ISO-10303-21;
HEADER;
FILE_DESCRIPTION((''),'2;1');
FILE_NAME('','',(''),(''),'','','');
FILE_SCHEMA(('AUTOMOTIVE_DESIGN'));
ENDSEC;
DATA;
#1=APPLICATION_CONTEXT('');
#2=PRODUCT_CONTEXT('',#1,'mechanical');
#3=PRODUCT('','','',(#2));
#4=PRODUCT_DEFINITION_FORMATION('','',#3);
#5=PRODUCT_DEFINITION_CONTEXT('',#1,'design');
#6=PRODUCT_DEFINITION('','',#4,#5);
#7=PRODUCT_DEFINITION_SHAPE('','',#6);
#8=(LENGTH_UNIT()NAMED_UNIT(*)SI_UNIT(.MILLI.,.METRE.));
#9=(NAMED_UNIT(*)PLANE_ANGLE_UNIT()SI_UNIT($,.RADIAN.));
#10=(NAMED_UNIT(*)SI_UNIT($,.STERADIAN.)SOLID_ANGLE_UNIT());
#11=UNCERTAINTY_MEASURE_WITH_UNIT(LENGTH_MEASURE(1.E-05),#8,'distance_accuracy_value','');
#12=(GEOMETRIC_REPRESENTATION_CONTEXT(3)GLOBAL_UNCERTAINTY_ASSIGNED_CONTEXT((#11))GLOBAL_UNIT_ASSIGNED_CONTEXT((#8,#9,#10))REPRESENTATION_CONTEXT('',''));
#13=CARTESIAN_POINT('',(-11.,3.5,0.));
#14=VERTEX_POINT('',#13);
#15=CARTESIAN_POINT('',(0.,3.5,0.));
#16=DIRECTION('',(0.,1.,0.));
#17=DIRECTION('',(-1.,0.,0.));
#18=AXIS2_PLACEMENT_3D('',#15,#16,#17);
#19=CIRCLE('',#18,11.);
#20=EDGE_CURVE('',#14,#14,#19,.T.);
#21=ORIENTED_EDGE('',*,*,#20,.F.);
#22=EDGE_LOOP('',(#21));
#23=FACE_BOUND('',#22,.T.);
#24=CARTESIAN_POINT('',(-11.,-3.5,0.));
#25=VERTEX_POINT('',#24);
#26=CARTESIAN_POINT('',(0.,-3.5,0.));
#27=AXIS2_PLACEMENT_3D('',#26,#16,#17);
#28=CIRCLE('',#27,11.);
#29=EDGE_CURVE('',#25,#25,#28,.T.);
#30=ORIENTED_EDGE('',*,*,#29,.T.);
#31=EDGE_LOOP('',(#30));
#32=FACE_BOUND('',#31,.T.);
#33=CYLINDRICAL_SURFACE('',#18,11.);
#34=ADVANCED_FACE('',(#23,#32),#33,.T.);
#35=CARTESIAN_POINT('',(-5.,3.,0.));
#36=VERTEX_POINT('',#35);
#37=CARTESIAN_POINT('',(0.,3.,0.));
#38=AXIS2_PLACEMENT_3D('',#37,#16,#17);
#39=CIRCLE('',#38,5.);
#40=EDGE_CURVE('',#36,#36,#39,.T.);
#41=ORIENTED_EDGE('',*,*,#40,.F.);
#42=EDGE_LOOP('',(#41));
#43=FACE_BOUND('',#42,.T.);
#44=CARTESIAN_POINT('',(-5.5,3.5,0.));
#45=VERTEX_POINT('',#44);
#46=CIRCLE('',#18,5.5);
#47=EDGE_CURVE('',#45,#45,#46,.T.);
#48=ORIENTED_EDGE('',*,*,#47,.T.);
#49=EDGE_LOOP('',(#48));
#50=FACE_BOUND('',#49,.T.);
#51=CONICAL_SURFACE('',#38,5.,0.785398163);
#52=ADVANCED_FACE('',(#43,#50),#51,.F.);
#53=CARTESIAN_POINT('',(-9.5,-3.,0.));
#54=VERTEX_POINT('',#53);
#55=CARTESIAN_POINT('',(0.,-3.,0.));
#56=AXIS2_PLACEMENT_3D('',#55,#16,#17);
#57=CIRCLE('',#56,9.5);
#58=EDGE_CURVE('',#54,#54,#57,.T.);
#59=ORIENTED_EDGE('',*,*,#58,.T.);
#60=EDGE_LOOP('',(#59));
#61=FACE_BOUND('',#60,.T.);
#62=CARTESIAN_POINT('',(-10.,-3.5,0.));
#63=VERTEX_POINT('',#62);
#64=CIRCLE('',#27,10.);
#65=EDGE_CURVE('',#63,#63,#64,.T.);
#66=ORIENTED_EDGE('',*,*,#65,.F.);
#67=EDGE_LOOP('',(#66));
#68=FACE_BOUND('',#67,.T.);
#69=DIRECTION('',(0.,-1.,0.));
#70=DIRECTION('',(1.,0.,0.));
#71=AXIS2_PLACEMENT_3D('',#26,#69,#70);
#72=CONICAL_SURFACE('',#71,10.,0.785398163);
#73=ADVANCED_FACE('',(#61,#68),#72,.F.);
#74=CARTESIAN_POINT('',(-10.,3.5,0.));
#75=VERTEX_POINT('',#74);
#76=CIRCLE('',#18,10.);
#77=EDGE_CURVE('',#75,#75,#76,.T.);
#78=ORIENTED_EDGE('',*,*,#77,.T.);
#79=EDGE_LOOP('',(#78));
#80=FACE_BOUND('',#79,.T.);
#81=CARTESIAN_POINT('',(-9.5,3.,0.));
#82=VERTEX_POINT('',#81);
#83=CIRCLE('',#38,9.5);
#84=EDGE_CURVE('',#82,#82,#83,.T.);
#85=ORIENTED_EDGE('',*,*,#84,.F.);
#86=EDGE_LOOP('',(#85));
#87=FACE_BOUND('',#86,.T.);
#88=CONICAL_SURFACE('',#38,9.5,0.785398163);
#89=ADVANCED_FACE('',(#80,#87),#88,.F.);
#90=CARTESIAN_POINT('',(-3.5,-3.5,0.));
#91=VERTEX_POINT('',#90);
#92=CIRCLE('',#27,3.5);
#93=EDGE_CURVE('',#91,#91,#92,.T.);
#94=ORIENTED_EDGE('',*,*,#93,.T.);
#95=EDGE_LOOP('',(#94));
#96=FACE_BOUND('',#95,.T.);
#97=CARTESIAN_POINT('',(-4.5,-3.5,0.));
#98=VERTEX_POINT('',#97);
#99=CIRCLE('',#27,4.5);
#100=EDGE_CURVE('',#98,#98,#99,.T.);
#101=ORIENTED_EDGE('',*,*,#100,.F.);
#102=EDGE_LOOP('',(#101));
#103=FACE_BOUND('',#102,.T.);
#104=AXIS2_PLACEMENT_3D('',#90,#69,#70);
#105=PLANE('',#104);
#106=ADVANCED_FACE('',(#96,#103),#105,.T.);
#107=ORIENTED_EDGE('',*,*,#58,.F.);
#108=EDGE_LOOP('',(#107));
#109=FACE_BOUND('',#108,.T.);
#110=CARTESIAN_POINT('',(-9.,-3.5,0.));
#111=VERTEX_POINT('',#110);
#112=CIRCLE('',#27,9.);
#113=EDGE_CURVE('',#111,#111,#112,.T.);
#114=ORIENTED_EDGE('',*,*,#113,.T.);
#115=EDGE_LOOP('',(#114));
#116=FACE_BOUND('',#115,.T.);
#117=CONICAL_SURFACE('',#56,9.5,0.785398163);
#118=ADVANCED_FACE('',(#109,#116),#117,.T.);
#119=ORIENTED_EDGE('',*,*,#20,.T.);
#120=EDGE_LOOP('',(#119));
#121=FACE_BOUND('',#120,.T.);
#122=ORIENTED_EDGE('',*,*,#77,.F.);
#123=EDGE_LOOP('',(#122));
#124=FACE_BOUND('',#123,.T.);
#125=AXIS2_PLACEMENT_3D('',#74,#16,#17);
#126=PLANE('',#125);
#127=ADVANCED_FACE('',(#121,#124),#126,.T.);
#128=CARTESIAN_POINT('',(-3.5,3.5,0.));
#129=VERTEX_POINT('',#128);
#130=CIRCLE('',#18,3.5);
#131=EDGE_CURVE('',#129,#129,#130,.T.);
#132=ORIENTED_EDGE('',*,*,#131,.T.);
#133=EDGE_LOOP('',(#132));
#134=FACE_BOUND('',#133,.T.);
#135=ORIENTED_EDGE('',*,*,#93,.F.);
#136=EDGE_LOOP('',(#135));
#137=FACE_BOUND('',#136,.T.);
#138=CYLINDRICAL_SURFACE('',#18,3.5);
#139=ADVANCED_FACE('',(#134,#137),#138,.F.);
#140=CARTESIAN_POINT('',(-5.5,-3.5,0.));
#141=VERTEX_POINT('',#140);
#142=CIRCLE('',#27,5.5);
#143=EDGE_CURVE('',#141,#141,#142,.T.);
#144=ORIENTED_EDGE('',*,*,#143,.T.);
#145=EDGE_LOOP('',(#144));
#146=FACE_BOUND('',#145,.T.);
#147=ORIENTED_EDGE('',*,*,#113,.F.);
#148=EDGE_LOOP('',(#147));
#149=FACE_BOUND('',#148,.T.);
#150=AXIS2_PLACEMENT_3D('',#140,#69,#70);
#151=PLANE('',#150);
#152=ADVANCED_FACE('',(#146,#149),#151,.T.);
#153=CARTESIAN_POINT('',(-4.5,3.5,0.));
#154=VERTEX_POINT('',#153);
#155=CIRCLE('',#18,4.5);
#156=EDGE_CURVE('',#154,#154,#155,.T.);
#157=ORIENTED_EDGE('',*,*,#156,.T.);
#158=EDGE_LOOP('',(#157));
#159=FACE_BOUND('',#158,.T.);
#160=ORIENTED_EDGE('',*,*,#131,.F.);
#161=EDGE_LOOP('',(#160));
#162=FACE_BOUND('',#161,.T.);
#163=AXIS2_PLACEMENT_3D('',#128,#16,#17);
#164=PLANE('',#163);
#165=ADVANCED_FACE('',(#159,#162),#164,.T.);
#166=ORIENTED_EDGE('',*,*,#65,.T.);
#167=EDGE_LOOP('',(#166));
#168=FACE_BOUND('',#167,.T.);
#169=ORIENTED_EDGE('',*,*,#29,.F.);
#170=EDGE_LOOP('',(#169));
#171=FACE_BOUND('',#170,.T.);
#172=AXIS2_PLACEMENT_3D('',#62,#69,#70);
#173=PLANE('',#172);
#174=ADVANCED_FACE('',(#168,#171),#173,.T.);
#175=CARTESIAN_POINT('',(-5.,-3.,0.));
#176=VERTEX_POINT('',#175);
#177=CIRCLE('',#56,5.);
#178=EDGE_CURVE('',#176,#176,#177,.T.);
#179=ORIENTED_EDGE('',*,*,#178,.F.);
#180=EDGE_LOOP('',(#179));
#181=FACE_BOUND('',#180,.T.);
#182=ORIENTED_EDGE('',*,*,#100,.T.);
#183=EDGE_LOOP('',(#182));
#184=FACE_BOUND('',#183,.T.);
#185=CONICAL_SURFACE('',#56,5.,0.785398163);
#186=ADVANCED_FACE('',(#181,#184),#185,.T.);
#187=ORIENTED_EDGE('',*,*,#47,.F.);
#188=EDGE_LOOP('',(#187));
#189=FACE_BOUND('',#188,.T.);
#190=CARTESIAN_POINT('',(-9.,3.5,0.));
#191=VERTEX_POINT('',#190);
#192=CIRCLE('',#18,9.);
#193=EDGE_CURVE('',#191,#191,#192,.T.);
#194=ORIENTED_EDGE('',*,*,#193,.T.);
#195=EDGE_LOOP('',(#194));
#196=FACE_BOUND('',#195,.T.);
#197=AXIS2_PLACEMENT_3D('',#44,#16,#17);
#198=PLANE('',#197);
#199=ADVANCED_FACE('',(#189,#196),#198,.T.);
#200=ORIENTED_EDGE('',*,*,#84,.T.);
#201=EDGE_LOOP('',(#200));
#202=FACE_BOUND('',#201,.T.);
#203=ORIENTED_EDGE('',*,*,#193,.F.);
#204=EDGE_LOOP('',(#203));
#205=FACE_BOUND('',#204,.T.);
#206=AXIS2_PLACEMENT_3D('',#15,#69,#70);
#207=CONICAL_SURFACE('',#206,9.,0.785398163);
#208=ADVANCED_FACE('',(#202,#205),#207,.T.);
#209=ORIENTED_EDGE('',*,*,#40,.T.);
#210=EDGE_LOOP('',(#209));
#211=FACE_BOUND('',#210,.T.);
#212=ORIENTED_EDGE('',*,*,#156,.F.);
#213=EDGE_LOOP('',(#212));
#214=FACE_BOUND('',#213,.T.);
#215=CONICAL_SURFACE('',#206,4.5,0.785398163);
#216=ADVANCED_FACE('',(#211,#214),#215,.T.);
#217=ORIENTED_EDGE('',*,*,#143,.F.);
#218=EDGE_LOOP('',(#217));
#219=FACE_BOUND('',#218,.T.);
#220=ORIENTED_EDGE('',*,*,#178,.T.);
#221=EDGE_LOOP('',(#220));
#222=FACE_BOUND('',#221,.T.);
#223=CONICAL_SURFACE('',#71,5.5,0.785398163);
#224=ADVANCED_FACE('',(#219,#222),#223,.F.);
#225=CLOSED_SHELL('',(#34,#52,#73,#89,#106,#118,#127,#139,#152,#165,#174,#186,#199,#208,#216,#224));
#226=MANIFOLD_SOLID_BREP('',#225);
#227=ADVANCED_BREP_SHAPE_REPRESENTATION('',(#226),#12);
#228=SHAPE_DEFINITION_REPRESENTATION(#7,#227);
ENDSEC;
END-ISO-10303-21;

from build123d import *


with BuildPart() as part:
    # Sketch1 → Revolve1 (revolve)
    with BuildSketch(Plane.XY):
        Polygon((-3.5, 3.5), (-4.5, 3.5), (-5, 3), (-5.5, 3.5), (-9, 3.5), (-9.5, 3), (-10, 3.5), (-11, 3.5), (-11, -3.5), (-10, -3.5), (-9.5, -3), (-9, -3.5), (-5.5, -3.5), (-5, -3), (-4.5, -3.5), (-3.5, -3.5), align=None)
    revolve(axis=Axis((0, 3.5, 0), (0, -1, 0)))


solid = part.part
